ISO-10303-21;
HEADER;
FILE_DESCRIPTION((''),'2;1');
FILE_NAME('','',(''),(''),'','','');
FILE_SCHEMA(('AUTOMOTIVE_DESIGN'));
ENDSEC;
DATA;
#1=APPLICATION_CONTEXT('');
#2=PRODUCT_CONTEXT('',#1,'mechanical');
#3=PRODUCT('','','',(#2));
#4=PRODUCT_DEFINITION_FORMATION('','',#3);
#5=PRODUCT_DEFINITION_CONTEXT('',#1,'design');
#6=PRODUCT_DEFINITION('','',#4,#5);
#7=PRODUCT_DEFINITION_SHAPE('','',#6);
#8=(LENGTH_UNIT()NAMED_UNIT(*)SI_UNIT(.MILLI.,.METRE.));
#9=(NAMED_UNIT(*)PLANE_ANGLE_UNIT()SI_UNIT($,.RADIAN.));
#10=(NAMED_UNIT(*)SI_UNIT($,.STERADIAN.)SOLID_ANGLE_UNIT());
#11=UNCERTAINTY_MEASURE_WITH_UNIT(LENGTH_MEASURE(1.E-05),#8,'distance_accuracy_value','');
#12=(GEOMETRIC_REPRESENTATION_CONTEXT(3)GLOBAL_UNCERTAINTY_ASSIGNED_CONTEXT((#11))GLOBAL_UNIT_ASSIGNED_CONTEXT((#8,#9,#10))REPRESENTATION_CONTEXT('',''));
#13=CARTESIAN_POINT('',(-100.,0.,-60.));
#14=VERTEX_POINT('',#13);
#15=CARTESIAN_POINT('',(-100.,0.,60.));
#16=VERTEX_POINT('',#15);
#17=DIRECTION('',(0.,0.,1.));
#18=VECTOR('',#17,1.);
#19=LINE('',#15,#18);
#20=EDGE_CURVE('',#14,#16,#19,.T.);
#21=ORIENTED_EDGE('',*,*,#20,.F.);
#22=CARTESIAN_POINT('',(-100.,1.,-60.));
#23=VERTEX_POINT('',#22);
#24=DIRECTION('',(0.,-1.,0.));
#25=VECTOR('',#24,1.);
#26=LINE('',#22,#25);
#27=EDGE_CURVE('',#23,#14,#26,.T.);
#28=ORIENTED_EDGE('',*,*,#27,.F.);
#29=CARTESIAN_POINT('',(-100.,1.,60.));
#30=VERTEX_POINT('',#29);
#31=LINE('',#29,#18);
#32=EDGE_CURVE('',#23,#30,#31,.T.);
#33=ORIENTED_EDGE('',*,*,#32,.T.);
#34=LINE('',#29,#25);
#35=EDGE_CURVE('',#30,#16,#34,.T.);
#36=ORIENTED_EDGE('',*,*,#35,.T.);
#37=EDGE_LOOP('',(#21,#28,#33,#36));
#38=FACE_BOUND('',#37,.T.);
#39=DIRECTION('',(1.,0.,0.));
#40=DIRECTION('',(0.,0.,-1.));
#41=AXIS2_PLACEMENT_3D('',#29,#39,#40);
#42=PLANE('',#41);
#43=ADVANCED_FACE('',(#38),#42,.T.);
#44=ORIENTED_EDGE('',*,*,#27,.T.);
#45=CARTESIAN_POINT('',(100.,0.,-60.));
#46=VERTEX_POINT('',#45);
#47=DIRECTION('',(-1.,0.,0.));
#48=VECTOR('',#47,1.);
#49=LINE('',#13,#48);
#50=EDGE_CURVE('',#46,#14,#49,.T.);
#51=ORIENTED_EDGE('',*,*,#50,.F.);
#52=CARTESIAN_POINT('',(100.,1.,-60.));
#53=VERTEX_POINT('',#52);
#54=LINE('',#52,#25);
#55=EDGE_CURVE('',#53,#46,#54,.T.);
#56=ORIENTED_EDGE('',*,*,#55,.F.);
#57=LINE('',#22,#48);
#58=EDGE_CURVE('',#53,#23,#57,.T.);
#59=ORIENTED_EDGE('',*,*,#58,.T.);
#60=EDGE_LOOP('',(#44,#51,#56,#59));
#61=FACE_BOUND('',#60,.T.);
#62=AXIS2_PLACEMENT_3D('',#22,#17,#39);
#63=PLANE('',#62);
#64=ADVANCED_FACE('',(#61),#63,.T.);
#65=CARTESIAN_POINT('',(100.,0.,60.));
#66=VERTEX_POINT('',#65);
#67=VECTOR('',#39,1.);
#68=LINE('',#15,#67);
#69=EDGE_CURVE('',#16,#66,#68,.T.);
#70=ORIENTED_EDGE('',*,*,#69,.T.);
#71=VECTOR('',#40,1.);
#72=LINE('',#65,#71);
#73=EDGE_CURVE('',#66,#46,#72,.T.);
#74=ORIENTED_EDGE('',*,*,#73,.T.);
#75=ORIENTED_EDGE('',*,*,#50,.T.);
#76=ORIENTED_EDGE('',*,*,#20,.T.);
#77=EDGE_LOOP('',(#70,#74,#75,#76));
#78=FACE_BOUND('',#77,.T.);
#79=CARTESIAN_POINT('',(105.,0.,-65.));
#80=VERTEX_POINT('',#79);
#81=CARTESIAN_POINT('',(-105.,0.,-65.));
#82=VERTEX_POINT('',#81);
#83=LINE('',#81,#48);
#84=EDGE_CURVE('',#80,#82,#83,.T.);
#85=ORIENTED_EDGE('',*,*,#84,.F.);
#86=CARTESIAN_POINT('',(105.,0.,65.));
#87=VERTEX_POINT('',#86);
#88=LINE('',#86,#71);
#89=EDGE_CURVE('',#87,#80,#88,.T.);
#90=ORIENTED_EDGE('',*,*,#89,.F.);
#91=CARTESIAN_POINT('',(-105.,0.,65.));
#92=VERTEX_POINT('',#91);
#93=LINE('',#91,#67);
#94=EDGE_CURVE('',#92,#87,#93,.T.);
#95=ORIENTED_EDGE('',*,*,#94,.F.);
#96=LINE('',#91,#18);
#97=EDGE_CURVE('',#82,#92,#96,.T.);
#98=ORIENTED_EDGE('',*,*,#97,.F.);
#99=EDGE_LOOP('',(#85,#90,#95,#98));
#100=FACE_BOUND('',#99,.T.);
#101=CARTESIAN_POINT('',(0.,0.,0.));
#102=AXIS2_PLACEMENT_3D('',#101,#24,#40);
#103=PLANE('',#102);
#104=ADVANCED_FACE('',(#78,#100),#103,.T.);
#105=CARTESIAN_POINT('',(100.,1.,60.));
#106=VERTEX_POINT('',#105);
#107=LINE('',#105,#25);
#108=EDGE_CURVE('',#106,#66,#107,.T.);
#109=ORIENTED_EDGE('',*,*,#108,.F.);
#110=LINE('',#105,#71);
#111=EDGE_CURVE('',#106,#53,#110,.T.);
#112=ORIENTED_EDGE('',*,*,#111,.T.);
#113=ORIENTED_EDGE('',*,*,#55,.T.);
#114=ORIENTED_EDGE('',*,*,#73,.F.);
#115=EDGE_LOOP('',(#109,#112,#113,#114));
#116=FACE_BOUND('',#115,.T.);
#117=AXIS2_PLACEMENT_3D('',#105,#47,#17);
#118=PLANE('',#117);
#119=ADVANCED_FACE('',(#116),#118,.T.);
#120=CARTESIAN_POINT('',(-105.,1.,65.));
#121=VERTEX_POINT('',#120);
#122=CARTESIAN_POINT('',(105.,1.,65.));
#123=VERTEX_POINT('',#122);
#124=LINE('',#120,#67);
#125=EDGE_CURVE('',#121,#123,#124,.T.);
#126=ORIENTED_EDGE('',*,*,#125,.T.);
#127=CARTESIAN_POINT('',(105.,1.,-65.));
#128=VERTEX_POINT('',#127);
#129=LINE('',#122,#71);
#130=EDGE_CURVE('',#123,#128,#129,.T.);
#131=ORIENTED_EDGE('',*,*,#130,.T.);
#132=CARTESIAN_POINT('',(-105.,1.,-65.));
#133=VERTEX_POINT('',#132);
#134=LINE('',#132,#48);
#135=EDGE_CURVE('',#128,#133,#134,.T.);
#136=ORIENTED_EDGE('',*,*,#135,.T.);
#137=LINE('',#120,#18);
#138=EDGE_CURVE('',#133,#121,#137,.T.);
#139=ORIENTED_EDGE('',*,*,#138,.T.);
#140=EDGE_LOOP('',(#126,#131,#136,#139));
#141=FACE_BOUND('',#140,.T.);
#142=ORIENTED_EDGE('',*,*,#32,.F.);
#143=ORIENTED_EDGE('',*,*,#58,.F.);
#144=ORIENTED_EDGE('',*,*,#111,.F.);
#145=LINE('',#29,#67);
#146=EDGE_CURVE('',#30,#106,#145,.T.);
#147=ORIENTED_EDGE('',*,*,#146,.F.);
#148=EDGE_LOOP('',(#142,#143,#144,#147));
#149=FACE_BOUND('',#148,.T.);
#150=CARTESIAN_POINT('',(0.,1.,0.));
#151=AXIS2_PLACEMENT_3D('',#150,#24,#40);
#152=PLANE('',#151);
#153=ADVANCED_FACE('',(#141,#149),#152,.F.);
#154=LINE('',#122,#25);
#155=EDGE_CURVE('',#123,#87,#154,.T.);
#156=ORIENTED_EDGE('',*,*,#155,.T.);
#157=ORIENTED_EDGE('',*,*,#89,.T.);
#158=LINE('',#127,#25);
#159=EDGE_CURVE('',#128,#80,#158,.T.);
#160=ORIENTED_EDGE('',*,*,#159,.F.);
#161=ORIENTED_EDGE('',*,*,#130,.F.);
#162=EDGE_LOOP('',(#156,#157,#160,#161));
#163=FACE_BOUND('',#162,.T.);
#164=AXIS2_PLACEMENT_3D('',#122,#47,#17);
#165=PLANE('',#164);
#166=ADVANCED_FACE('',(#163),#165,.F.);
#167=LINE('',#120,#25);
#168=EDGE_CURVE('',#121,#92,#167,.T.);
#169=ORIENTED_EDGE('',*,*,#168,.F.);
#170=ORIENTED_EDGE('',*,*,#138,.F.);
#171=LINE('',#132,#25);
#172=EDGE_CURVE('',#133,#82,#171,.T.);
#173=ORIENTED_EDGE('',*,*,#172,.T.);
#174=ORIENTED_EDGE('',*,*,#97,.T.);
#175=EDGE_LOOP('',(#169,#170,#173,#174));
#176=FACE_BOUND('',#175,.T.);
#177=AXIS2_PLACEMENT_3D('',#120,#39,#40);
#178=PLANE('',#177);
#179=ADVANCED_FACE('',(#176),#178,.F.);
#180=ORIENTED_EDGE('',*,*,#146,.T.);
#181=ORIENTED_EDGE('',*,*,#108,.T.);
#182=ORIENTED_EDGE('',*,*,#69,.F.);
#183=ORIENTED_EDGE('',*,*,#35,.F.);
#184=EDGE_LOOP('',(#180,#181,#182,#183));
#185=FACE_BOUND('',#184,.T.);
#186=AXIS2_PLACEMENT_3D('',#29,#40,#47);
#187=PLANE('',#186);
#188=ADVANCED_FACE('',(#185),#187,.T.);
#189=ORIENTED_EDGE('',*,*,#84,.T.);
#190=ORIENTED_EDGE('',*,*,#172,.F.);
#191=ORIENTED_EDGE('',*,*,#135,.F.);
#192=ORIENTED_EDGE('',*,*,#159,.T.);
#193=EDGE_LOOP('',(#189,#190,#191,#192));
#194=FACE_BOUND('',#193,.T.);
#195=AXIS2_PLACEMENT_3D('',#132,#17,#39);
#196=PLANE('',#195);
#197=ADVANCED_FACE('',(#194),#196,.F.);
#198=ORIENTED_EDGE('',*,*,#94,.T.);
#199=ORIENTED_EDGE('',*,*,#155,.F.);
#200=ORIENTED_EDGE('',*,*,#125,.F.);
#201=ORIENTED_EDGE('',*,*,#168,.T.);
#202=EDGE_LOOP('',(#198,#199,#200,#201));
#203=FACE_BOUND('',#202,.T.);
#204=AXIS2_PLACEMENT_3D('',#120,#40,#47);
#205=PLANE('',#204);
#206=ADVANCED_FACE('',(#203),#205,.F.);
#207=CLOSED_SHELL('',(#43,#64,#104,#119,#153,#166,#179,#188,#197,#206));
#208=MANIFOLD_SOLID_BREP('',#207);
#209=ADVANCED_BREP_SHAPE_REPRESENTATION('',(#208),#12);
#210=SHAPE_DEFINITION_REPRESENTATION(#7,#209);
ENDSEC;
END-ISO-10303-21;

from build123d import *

# Parameters (mm, degrees)
SKETCH1_W           = 210
SKETCH1_H           = 130
SKETCH1_W_2         = 200
SKETCH1_H_2         = 120
BOSS_EXTRUDE1_DEPTH = 1


with BuildPart() as part:
    # Sketch1 → Boss-Extrude1 (new body)
    with BuildSketch(Plane(origin=(0, 0, 0), x_dir=(1, 0, 0), z_dir=(0, 1, 0))):
        Rectangle(SKETCH1_W, SKETCH1_H)
        Rectangle(SKETCH1_W_2, SKETCH1_H_2, mode=Mode.SUBTRACT)
    extrude(amount=BOSS_EXTRUDE1_DEPTH)


solid = part.part
